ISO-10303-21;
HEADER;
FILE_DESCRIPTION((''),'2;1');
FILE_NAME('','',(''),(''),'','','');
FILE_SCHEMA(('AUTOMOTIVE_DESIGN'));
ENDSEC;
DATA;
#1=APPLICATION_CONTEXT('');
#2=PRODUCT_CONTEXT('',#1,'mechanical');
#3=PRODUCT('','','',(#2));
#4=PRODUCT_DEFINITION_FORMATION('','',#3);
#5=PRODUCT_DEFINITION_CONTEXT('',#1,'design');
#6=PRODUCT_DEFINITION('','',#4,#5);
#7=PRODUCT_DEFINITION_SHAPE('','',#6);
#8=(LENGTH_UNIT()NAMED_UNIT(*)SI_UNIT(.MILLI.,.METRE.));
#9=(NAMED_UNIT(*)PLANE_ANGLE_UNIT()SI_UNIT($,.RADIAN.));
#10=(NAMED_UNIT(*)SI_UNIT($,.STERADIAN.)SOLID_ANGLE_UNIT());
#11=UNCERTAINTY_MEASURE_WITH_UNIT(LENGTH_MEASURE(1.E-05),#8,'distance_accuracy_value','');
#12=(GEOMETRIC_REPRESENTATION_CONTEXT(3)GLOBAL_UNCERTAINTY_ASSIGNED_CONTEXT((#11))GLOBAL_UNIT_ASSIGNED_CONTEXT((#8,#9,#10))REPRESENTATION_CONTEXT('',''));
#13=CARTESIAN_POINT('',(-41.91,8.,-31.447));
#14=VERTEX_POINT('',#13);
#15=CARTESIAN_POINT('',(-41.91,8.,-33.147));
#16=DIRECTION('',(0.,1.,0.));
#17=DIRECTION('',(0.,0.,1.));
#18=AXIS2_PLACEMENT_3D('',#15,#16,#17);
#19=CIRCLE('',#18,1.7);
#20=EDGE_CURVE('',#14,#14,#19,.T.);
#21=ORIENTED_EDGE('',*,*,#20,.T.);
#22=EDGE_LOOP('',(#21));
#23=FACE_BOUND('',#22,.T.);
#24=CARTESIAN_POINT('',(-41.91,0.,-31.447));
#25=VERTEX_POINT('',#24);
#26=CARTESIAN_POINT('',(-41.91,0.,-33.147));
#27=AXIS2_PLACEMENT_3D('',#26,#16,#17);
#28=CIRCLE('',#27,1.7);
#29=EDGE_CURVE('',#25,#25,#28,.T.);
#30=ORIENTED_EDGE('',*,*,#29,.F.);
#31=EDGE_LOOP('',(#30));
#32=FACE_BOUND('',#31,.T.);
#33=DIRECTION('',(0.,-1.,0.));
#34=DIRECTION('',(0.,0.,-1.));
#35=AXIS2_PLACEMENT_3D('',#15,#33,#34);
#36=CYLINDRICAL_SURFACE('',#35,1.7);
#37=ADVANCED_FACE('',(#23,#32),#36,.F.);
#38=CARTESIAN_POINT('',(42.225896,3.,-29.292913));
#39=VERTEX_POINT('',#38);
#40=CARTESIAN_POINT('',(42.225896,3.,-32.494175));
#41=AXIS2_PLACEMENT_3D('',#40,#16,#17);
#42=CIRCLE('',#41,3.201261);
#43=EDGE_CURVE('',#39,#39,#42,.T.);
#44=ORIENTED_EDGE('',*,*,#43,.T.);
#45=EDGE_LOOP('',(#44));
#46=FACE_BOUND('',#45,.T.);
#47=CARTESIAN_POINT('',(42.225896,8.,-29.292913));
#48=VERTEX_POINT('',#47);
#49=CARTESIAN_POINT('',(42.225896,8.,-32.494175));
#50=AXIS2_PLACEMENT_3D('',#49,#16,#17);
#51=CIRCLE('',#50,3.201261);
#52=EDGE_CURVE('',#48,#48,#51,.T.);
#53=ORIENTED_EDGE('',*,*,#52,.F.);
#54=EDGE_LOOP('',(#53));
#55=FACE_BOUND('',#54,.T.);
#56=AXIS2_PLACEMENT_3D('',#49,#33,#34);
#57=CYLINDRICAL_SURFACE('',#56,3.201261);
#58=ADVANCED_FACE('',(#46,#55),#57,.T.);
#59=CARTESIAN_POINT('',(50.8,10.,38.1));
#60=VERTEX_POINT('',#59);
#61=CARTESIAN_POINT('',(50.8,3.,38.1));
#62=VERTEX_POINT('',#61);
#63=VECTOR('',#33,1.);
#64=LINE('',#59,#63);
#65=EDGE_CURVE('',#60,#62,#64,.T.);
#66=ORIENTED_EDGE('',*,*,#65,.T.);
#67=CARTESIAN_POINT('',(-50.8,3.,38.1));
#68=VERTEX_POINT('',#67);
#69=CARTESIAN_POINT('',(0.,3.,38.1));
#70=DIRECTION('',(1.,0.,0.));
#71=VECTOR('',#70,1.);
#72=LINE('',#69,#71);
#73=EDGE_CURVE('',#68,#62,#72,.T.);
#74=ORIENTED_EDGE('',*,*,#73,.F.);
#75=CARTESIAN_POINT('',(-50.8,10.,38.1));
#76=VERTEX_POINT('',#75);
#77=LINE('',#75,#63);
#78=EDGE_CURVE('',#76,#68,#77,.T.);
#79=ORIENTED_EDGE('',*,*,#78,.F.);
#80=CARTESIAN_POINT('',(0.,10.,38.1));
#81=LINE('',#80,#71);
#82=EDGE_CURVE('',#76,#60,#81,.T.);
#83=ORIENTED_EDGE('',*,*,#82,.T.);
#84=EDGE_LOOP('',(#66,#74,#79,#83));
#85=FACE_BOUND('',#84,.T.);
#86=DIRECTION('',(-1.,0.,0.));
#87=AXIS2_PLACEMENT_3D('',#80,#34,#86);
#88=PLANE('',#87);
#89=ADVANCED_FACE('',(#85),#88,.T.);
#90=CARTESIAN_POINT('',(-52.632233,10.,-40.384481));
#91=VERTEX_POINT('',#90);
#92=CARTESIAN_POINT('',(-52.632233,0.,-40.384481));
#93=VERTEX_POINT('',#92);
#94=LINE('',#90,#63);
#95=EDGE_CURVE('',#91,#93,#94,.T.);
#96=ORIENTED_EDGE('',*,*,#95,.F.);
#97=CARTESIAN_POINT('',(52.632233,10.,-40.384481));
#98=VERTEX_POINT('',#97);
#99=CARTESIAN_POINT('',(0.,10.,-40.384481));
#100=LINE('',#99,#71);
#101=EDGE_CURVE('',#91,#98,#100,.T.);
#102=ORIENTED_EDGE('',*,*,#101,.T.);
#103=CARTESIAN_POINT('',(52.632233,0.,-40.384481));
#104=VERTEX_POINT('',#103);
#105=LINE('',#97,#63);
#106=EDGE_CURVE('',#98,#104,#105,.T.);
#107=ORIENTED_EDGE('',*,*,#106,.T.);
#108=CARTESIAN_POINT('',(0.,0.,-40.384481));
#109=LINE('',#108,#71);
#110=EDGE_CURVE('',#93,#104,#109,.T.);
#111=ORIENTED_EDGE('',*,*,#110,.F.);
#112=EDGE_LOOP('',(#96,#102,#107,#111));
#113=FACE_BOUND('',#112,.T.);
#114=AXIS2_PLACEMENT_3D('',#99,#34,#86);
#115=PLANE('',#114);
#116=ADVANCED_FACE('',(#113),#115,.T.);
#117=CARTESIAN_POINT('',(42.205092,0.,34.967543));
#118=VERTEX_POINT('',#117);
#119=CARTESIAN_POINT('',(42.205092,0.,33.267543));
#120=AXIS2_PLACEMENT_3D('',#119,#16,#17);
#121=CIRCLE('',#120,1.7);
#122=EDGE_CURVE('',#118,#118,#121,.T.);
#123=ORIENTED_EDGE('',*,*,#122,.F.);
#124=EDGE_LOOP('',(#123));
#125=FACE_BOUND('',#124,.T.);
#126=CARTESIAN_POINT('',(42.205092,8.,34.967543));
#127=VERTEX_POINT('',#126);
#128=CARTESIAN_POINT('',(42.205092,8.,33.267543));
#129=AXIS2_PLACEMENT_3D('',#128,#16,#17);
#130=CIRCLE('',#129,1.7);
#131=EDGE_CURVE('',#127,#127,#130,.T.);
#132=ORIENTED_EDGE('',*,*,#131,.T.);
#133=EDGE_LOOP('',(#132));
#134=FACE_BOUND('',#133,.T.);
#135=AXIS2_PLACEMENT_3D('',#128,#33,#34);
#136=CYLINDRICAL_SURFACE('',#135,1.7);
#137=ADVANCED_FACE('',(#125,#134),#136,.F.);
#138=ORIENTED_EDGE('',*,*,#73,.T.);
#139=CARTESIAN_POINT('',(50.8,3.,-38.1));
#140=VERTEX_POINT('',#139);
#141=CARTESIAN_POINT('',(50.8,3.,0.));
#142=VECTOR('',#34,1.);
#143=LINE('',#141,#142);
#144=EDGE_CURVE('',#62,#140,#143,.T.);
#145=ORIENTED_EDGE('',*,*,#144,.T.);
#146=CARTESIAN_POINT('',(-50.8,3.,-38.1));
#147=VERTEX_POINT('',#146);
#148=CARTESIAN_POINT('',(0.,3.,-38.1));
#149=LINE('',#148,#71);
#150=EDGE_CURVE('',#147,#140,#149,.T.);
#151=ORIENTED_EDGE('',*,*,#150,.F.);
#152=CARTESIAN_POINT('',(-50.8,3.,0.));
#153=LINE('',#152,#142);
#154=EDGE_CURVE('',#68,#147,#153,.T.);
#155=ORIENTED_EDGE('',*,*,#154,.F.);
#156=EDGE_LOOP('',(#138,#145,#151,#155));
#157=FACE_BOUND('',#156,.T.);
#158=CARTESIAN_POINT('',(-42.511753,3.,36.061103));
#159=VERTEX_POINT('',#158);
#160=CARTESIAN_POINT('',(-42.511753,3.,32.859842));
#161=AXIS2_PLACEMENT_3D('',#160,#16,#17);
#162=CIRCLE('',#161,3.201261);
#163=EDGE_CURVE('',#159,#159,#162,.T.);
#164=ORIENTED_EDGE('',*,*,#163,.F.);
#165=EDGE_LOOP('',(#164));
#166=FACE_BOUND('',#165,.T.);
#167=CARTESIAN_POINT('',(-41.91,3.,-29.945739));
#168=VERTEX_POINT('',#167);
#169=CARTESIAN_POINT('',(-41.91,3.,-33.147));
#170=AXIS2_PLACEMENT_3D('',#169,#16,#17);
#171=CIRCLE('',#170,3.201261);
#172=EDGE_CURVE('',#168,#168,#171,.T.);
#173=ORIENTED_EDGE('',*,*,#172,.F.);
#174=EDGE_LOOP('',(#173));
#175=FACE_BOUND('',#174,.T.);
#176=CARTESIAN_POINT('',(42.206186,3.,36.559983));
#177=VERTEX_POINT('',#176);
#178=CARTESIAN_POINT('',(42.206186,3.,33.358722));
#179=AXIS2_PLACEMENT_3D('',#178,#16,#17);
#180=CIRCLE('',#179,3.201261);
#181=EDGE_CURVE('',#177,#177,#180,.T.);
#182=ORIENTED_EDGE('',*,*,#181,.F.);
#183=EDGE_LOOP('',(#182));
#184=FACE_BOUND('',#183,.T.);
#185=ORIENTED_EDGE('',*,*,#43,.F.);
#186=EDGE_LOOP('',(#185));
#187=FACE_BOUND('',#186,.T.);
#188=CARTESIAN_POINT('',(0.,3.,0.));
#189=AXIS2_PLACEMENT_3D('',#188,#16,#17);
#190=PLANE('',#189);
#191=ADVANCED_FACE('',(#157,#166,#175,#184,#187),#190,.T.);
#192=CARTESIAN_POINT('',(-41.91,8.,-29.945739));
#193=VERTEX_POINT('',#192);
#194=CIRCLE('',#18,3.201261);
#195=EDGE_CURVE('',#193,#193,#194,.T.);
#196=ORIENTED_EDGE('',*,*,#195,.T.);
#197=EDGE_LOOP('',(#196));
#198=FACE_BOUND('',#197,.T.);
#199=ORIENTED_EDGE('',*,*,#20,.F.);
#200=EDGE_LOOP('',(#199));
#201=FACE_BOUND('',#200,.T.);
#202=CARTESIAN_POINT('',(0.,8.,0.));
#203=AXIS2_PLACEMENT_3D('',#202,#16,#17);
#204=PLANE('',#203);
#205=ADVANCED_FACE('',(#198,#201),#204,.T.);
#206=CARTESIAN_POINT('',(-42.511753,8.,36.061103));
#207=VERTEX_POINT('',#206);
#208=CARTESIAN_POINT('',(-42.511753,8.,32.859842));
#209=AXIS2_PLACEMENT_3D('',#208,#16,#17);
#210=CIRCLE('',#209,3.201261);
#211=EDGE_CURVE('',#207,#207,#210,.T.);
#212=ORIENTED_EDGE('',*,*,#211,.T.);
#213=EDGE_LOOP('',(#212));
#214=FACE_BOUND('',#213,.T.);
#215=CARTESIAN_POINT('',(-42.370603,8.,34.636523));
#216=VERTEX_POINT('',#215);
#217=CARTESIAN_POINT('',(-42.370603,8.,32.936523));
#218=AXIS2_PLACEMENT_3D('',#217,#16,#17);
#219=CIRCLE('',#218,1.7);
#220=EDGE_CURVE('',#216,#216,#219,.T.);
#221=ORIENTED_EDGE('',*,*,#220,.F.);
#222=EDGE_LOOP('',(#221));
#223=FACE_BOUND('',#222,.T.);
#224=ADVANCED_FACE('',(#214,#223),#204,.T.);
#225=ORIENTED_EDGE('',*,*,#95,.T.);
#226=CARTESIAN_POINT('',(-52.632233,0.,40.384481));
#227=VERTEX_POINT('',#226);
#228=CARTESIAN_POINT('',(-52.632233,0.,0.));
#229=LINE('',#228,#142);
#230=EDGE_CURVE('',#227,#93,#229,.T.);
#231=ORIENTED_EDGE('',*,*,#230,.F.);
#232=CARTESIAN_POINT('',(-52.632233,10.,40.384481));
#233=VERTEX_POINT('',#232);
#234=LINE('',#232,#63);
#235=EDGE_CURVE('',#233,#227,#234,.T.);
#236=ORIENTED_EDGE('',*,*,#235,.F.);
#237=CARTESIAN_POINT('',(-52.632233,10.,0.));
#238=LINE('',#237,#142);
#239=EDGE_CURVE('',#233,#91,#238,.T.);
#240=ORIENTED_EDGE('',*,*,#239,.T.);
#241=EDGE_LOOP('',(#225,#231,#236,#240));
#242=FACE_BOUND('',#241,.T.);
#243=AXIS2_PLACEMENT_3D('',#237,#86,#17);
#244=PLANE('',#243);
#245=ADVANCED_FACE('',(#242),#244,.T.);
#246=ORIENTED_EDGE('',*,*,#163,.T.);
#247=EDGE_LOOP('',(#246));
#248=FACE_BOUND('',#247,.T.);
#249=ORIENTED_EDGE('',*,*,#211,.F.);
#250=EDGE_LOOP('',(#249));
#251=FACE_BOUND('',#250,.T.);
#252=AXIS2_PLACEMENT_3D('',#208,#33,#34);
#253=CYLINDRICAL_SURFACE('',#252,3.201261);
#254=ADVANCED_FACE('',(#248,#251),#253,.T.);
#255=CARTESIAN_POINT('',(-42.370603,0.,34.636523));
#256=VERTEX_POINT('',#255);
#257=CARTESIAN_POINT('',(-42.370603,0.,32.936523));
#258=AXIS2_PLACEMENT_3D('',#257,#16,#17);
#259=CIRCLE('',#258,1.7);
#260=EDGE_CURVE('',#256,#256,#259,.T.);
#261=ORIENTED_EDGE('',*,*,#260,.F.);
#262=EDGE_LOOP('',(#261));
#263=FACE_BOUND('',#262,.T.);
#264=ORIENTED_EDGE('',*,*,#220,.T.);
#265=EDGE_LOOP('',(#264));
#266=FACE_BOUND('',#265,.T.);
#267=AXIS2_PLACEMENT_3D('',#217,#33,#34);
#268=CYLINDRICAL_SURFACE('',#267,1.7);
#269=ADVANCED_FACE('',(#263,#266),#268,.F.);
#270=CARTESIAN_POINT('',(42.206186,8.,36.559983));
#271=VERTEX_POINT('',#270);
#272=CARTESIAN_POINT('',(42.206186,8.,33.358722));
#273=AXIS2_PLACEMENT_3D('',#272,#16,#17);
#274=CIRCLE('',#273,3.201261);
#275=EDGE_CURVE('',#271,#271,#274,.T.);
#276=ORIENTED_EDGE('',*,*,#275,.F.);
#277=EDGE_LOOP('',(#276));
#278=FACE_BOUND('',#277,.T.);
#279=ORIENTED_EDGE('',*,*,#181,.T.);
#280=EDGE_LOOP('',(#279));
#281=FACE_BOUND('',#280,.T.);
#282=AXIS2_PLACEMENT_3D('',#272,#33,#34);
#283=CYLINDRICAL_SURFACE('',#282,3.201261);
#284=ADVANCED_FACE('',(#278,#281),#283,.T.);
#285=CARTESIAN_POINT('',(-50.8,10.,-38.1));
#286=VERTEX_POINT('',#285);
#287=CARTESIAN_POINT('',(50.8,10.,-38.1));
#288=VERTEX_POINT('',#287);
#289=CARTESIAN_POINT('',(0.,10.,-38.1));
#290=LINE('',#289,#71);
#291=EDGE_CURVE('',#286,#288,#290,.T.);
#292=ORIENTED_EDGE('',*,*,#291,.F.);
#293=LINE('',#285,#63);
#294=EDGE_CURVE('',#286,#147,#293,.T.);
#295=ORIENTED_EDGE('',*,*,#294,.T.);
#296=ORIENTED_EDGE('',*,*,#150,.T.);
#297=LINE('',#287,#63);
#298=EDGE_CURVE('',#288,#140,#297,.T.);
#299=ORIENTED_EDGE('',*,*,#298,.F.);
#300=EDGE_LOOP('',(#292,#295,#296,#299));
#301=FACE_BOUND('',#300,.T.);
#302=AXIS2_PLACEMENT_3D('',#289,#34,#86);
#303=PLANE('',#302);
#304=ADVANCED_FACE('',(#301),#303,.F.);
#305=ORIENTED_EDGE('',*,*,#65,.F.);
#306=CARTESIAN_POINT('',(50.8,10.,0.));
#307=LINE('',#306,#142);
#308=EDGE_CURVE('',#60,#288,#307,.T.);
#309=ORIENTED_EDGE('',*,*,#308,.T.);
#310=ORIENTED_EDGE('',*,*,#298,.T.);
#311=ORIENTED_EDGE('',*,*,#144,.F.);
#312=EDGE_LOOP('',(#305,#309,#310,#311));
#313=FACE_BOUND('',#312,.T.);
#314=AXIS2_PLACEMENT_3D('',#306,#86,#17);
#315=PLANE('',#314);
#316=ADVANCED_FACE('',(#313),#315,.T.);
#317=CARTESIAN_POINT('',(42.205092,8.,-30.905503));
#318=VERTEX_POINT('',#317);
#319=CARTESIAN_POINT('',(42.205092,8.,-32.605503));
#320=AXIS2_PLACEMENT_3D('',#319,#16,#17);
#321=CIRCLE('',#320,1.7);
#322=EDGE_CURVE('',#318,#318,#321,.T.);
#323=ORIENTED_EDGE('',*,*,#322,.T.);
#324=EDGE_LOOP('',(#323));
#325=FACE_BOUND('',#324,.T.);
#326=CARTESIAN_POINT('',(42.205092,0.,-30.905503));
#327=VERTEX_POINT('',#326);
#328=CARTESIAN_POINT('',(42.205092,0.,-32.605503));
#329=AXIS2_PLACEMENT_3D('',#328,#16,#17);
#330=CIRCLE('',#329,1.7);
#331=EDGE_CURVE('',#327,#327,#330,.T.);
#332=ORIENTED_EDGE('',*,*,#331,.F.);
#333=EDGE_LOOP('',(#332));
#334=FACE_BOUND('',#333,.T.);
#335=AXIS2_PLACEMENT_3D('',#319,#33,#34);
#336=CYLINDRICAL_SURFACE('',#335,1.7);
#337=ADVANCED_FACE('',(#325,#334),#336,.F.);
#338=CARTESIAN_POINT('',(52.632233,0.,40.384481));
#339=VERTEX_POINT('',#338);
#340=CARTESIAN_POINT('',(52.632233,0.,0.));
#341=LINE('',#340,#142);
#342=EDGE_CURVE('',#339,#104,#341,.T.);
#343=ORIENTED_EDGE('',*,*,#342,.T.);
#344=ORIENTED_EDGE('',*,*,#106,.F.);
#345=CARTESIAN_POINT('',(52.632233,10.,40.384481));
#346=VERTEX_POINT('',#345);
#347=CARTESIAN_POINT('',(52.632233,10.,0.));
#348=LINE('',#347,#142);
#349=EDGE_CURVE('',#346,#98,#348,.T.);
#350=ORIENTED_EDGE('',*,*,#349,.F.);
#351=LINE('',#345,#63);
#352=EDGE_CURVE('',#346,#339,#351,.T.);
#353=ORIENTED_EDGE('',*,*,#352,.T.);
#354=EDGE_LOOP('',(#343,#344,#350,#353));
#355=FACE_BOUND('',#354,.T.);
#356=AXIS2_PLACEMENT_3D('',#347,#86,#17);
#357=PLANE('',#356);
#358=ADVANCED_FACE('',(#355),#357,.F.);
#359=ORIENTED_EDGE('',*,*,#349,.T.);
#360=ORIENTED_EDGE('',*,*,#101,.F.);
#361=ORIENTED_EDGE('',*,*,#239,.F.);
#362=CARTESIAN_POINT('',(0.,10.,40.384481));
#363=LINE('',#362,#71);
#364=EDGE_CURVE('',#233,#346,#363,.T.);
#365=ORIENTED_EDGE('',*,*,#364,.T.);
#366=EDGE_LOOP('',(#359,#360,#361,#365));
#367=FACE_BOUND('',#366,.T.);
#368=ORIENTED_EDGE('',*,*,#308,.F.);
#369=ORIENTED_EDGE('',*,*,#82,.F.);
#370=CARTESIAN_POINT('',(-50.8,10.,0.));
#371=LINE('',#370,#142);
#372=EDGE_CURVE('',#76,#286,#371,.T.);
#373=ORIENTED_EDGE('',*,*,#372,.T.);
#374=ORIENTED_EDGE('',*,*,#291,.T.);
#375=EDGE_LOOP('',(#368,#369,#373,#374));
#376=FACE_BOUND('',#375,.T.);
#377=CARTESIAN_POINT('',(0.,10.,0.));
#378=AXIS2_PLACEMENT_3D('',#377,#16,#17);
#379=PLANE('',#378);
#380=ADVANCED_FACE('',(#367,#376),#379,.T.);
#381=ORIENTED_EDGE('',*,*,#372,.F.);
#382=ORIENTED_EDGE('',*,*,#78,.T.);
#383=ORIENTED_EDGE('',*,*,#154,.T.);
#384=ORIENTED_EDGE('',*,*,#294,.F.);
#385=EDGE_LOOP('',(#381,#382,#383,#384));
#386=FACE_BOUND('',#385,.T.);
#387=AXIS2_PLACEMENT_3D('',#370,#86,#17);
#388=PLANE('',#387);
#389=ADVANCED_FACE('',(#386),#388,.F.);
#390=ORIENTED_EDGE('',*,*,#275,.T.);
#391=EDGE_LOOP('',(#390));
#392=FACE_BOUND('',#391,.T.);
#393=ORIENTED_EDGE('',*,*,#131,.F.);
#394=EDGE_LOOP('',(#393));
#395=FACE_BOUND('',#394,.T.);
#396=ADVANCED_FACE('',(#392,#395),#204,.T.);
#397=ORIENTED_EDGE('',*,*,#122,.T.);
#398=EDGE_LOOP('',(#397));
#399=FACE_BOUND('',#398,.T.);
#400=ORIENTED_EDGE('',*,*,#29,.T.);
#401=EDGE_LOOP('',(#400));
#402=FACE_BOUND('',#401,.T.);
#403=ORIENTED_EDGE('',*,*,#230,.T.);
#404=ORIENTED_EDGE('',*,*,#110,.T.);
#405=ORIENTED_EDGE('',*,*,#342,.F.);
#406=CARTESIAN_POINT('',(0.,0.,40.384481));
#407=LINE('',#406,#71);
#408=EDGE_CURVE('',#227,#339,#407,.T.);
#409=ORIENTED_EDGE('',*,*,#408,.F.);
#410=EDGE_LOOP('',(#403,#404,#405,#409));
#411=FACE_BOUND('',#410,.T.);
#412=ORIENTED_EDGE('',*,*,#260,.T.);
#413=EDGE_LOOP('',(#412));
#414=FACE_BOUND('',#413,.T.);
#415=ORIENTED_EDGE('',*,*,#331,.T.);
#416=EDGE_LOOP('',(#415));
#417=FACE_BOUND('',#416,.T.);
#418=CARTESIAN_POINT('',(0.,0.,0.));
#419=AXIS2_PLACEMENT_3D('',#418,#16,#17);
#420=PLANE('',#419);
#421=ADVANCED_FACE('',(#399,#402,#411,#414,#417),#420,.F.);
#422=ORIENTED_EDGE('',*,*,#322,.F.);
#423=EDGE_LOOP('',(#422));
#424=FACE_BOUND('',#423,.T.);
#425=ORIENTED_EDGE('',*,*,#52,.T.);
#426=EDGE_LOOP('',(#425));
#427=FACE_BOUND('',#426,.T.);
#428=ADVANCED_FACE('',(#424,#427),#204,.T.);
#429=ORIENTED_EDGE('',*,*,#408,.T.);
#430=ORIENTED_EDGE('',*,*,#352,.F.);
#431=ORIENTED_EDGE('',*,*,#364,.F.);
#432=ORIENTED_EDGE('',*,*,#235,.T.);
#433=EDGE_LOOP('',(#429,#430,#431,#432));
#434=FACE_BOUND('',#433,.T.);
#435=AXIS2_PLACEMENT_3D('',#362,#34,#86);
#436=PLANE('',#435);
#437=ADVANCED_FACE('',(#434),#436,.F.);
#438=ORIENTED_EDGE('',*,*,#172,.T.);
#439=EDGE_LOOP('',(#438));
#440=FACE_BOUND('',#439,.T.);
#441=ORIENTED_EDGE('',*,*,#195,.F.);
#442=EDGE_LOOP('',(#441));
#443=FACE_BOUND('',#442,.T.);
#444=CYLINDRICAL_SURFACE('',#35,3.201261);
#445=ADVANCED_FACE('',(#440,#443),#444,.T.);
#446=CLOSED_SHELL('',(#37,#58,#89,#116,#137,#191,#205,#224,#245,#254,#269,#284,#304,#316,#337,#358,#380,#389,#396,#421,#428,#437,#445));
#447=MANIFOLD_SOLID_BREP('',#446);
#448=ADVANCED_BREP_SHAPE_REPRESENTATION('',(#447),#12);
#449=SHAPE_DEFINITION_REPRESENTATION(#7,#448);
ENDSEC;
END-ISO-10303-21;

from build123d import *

# Parameters (mm, degrees)
SKETCH1_W           = 101.6
SKETCH1_H           = 76.2
SKETCH1_R           = 3.201261119
BOSS_EXTRUDE4_DEPTH = 3
SKETCH1_8_W         = 105.264465986
SKETCH1_8_H         = 80.768961322
SKETCH1_8_W_2       = 101.6
SKETCH1_8_H_2       = 76.2
BOSS_EXTRUDE6_DEPTH = 10
SKETCH1_10_R        = 3.201261119
SKETCH1_10_R_2      = 1.7
BOSS_EXTRUDE7_DEPTH = 8


with BuildPart() as part:
    # Sketch1 → Boss-Extrude4 (new body)
    with BuildSketch(Plane(origin=(0, 0, 0), x_dir=(1, 0, 0), z_dir=(0, 1, 0))):
        Rectangle(SKETCH1_W, SKETCH1_H)
        with Locations((-42.51175292, -32.859842277)):
            Circle(SKETCH1_R, mode=Mode.SUBTRACT)
        with Locations((42.20618594, -33.358721943)):
            Circle(SKETCH1_R, mode=Mode.SUBTRACT)
        with Locations((-41.91, 33.147)):
            Circle(SKETCH1_R, mode=Mode.SUBTRACT)
        with Locations((42.225895984, 32.494174618)):
            Circle(SKETCH1_R, mode=Mode.SUBTRACT)
    extrude(amount=BOSS_EXTRUDE4_DEPTH)

    # Sketch1<8> → Boss-Extrude6 (add)
    with BuildSketch(Plane(origin=(0, 0, 0), x_dir=(1, 0, 0), z_dir=(0, 1, 0))):
        Rectangle(SKETCH1_8_W, SKETCH1_8_H)
        Rectangle(SKETCH1_8_W_2, SKETCH1_8_H_2, mode=Mode.SUBTRACT)
    extrude(amount=BOSS_EXTRUDE6_DEPTH)

    # Sketch1<10> → Boss-Extrude7 (add)
    # profile 1 of 4: a face of its own
    with BuildSketch(Plane(origin=(0, 0, 0), x_dir=(1, 0, 0), z_dir=(0, 1, 0))):
        with Locations((-41.91, 33.147)):
            Circle(SKETCH1_10_R)
        with Locations((-41.91, 33.147)):
            Circle(SKETCH1_10_R_2, mode=Mode.SUBTRACT)
    # profile 2 of 4: a face of its own
    with BuildSketch(Plane(origin=(0, 0, 0), x_dir=(1, 0, 0), z_dir=(0, 1, 0))):
        with Locations((42.225895984, 32.494174618)):
            Circle(SKETCH1_10_R)
        with Locations((42.205092494, 32.605502829)):
            Circle(SKETCH1_10_R_2, mode=Mode.SUBTRACT)
    # profile 3 of 4: a face of its own
    with BuildSketch(Plane(origin=(0, 0, 0), x_dir=(1, 0, 0), z_dir=(0, 1, 0))):
        with Locations((-42.51175292, -32.859842277)):
            Circle(SKETCH1_10_R)
        with Locations((-42.370602661, -32.936523162)):
            Circle(SKETCH1_10_R_2, mode=Mode.SUBTRACT)
    # profile 4 of 4: a face of its own
    with BuildSketch(Plane(origin=(0, 0, 0), x_dir=(1, 0, 0), z_dir=(0, 1, 0))):
        with Locations((42.20618594, -33.358721943)):
            Circle(SKETCH1_10_R)
        with Locations((42.205092494, -33.267543495)):
            Circle(SKETCH1_10_R_2, mode=Mode.SUBTRACT)
    extrude(amount=BOSS_EXTRUDE7_DEPTH)


solid = part.part
